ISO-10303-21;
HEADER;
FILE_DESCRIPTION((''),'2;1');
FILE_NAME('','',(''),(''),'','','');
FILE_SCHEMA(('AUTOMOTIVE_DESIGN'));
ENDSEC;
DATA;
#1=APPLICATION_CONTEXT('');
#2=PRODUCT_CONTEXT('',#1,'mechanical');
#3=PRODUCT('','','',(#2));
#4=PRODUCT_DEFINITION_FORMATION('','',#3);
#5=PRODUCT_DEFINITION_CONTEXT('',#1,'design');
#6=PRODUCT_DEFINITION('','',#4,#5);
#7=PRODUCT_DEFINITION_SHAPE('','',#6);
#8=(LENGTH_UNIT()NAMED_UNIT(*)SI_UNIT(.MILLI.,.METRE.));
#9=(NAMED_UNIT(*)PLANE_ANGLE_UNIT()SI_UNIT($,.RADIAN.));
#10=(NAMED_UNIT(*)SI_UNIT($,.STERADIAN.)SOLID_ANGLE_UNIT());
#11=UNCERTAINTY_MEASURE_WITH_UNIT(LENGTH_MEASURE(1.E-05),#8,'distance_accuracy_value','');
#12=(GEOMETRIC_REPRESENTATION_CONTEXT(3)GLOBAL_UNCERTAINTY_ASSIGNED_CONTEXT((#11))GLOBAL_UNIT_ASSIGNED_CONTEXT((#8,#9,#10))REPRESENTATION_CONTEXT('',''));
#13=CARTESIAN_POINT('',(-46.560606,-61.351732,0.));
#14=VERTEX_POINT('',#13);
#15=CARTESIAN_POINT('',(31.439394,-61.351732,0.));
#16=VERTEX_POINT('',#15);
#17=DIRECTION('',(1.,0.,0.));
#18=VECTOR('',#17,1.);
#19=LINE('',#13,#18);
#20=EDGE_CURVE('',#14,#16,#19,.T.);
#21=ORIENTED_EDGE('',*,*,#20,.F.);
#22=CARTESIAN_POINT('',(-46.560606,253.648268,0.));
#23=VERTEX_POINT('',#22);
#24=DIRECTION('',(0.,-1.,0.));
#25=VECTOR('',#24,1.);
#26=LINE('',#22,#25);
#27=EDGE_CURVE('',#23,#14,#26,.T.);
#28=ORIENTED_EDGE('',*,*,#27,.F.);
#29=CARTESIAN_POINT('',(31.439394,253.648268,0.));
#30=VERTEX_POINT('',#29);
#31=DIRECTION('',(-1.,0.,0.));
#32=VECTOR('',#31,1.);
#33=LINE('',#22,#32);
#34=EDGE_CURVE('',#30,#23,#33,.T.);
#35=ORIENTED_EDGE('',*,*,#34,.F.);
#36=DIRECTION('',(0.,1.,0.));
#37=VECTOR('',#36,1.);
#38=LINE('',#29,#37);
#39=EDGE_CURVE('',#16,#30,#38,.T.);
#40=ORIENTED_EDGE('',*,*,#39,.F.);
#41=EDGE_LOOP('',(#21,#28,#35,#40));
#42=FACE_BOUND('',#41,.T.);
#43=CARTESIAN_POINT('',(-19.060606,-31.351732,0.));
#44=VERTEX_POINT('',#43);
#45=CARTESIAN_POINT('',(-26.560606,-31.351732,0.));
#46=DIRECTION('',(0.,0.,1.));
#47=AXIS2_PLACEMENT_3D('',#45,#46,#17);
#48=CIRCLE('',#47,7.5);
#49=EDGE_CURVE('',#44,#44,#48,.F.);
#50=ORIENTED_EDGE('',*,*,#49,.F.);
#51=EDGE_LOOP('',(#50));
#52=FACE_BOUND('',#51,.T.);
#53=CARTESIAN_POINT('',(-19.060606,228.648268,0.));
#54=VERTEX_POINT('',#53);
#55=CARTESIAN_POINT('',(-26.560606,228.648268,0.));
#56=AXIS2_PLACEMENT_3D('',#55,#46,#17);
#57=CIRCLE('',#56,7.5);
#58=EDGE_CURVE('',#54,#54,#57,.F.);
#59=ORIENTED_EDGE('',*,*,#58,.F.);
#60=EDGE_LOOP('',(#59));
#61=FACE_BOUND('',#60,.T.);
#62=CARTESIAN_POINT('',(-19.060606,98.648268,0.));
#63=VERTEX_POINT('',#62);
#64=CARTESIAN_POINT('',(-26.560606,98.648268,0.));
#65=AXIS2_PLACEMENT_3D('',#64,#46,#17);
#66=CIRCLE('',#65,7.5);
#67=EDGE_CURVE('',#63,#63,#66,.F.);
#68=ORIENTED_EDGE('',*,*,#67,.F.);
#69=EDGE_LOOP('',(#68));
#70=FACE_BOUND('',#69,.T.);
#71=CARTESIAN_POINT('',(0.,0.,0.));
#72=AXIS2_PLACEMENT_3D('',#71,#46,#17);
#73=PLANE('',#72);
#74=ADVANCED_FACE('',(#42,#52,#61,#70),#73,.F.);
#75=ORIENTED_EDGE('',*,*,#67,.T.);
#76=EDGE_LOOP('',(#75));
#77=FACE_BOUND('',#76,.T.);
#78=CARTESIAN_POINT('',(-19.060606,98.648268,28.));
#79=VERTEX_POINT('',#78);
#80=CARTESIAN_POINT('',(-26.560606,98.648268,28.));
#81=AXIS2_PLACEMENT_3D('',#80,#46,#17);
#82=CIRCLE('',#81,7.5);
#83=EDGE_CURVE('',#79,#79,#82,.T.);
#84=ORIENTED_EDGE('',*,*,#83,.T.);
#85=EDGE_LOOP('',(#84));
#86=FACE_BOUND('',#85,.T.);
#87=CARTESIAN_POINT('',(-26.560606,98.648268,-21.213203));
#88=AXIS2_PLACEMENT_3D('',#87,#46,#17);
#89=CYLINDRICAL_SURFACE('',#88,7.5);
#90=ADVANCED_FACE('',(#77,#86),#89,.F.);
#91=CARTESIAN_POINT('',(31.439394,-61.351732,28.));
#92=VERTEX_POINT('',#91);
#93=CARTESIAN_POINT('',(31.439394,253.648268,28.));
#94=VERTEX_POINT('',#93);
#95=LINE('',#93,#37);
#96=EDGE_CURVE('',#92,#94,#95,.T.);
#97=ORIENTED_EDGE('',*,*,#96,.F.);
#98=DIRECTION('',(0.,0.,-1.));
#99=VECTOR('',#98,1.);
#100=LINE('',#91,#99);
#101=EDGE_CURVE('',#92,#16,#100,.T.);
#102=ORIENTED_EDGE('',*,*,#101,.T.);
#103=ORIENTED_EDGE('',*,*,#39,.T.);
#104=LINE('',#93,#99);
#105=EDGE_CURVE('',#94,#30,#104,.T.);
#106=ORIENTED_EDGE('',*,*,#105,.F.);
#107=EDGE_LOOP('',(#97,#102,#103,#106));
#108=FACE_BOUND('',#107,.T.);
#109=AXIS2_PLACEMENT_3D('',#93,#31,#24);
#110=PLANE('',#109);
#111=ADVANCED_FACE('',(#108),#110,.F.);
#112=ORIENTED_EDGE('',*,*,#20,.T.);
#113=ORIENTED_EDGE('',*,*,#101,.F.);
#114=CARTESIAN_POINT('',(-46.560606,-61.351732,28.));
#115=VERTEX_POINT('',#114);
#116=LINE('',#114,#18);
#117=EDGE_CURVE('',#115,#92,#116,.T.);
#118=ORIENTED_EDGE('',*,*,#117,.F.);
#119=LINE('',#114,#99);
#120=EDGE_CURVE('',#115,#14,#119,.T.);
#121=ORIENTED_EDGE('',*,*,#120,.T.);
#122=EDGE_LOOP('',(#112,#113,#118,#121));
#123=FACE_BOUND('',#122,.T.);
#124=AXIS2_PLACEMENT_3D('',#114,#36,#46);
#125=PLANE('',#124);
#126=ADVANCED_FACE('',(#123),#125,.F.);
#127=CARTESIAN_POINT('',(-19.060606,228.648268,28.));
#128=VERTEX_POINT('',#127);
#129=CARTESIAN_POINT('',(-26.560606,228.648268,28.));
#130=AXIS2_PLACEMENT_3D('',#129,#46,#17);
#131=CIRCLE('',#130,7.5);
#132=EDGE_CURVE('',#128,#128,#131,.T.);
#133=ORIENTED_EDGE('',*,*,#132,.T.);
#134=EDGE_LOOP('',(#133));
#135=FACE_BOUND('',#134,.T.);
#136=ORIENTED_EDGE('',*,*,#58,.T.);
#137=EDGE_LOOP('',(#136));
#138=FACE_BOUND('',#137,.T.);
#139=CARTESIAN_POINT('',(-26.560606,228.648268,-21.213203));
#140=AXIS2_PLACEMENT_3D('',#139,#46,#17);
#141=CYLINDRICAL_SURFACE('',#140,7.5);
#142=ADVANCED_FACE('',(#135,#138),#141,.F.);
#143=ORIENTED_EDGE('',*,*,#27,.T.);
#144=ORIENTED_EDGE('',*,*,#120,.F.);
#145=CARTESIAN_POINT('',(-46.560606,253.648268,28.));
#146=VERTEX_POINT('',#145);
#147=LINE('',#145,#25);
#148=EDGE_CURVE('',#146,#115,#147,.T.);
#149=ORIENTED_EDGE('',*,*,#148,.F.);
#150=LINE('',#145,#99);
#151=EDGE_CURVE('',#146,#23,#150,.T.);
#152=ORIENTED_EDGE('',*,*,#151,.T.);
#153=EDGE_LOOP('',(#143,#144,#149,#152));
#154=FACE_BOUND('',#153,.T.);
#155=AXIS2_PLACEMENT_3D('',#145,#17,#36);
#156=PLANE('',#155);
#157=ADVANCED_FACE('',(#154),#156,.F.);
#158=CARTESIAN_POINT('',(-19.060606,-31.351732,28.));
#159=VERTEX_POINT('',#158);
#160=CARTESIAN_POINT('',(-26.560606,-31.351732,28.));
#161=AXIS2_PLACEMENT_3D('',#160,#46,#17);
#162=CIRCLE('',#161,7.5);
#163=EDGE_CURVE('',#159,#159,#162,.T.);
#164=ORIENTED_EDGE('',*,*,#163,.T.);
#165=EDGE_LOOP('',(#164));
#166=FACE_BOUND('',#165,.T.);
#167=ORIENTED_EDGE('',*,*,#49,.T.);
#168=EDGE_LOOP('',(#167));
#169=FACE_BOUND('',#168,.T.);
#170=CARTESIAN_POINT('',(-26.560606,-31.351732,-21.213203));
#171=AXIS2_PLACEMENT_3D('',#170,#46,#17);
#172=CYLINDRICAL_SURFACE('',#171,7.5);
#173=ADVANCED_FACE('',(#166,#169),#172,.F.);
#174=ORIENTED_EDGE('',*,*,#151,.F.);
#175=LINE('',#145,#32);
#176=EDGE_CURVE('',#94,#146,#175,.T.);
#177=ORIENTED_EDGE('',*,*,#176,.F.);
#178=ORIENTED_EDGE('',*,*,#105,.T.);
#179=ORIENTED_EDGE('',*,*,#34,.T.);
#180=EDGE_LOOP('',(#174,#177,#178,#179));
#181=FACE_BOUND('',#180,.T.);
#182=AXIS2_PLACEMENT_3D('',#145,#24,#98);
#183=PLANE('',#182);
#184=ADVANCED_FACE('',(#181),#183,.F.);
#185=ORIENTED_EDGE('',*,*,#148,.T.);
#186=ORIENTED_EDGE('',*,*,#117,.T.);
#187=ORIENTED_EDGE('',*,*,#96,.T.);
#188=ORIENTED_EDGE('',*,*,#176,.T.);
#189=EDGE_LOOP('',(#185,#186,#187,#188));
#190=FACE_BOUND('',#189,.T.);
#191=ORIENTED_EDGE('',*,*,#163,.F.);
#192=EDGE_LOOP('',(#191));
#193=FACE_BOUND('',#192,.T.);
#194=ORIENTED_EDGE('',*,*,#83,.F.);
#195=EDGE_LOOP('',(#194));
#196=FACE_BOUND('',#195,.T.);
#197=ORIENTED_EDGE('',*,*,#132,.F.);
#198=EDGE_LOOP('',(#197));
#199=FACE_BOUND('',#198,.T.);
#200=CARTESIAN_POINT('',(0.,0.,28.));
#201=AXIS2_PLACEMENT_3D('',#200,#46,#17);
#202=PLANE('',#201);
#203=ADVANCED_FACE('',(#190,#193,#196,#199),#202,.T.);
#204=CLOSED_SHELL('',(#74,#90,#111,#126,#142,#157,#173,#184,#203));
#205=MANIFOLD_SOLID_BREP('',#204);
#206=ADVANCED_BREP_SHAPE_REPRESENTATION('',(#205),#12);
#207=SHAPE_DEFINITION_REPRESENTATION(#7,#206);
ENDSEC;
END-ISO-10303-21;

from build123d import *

# Parameters (mm, degrees)
SKETCH_1_W          = 78
SKETCH_1_H          = 315
EXTRUDE_1_DEPTH     = 28
SKETCH_2_R          = 7.5
CUT_EXTRUDE_1_DEPTH = 28


with BuildPart() as part:
    # 草图1 → 凸台-拉伸1 (new body)
    with BuildSketch(Plane.XY):
        with Locations((-7.560606061, 96.148268398)):
            Rectangle(SKETCH_1_W, SKETCH_1_H)
    extrude(amount=EXTRUDE_1_DEPTH)

    # 草图2 → 切除-拉伸1 (cut)
    with BuildSketch(Plane.XY.offset(28)):
        with Locations((-26.560606061, 228.648268398)):
            Circle(SKETCH_2_R)
        with Locations((-26.560606061, 98.648268398)):
            Circle(SKETCH_2_R)
        with Locations((-26.560606061, -31.351731602)):
            Circle(SKETCH_2_R)
    extrude(amount=-CUT_EXTRUDE_1_DEPTH, mode=Mode.SUBTRACT)


solid = part.part
